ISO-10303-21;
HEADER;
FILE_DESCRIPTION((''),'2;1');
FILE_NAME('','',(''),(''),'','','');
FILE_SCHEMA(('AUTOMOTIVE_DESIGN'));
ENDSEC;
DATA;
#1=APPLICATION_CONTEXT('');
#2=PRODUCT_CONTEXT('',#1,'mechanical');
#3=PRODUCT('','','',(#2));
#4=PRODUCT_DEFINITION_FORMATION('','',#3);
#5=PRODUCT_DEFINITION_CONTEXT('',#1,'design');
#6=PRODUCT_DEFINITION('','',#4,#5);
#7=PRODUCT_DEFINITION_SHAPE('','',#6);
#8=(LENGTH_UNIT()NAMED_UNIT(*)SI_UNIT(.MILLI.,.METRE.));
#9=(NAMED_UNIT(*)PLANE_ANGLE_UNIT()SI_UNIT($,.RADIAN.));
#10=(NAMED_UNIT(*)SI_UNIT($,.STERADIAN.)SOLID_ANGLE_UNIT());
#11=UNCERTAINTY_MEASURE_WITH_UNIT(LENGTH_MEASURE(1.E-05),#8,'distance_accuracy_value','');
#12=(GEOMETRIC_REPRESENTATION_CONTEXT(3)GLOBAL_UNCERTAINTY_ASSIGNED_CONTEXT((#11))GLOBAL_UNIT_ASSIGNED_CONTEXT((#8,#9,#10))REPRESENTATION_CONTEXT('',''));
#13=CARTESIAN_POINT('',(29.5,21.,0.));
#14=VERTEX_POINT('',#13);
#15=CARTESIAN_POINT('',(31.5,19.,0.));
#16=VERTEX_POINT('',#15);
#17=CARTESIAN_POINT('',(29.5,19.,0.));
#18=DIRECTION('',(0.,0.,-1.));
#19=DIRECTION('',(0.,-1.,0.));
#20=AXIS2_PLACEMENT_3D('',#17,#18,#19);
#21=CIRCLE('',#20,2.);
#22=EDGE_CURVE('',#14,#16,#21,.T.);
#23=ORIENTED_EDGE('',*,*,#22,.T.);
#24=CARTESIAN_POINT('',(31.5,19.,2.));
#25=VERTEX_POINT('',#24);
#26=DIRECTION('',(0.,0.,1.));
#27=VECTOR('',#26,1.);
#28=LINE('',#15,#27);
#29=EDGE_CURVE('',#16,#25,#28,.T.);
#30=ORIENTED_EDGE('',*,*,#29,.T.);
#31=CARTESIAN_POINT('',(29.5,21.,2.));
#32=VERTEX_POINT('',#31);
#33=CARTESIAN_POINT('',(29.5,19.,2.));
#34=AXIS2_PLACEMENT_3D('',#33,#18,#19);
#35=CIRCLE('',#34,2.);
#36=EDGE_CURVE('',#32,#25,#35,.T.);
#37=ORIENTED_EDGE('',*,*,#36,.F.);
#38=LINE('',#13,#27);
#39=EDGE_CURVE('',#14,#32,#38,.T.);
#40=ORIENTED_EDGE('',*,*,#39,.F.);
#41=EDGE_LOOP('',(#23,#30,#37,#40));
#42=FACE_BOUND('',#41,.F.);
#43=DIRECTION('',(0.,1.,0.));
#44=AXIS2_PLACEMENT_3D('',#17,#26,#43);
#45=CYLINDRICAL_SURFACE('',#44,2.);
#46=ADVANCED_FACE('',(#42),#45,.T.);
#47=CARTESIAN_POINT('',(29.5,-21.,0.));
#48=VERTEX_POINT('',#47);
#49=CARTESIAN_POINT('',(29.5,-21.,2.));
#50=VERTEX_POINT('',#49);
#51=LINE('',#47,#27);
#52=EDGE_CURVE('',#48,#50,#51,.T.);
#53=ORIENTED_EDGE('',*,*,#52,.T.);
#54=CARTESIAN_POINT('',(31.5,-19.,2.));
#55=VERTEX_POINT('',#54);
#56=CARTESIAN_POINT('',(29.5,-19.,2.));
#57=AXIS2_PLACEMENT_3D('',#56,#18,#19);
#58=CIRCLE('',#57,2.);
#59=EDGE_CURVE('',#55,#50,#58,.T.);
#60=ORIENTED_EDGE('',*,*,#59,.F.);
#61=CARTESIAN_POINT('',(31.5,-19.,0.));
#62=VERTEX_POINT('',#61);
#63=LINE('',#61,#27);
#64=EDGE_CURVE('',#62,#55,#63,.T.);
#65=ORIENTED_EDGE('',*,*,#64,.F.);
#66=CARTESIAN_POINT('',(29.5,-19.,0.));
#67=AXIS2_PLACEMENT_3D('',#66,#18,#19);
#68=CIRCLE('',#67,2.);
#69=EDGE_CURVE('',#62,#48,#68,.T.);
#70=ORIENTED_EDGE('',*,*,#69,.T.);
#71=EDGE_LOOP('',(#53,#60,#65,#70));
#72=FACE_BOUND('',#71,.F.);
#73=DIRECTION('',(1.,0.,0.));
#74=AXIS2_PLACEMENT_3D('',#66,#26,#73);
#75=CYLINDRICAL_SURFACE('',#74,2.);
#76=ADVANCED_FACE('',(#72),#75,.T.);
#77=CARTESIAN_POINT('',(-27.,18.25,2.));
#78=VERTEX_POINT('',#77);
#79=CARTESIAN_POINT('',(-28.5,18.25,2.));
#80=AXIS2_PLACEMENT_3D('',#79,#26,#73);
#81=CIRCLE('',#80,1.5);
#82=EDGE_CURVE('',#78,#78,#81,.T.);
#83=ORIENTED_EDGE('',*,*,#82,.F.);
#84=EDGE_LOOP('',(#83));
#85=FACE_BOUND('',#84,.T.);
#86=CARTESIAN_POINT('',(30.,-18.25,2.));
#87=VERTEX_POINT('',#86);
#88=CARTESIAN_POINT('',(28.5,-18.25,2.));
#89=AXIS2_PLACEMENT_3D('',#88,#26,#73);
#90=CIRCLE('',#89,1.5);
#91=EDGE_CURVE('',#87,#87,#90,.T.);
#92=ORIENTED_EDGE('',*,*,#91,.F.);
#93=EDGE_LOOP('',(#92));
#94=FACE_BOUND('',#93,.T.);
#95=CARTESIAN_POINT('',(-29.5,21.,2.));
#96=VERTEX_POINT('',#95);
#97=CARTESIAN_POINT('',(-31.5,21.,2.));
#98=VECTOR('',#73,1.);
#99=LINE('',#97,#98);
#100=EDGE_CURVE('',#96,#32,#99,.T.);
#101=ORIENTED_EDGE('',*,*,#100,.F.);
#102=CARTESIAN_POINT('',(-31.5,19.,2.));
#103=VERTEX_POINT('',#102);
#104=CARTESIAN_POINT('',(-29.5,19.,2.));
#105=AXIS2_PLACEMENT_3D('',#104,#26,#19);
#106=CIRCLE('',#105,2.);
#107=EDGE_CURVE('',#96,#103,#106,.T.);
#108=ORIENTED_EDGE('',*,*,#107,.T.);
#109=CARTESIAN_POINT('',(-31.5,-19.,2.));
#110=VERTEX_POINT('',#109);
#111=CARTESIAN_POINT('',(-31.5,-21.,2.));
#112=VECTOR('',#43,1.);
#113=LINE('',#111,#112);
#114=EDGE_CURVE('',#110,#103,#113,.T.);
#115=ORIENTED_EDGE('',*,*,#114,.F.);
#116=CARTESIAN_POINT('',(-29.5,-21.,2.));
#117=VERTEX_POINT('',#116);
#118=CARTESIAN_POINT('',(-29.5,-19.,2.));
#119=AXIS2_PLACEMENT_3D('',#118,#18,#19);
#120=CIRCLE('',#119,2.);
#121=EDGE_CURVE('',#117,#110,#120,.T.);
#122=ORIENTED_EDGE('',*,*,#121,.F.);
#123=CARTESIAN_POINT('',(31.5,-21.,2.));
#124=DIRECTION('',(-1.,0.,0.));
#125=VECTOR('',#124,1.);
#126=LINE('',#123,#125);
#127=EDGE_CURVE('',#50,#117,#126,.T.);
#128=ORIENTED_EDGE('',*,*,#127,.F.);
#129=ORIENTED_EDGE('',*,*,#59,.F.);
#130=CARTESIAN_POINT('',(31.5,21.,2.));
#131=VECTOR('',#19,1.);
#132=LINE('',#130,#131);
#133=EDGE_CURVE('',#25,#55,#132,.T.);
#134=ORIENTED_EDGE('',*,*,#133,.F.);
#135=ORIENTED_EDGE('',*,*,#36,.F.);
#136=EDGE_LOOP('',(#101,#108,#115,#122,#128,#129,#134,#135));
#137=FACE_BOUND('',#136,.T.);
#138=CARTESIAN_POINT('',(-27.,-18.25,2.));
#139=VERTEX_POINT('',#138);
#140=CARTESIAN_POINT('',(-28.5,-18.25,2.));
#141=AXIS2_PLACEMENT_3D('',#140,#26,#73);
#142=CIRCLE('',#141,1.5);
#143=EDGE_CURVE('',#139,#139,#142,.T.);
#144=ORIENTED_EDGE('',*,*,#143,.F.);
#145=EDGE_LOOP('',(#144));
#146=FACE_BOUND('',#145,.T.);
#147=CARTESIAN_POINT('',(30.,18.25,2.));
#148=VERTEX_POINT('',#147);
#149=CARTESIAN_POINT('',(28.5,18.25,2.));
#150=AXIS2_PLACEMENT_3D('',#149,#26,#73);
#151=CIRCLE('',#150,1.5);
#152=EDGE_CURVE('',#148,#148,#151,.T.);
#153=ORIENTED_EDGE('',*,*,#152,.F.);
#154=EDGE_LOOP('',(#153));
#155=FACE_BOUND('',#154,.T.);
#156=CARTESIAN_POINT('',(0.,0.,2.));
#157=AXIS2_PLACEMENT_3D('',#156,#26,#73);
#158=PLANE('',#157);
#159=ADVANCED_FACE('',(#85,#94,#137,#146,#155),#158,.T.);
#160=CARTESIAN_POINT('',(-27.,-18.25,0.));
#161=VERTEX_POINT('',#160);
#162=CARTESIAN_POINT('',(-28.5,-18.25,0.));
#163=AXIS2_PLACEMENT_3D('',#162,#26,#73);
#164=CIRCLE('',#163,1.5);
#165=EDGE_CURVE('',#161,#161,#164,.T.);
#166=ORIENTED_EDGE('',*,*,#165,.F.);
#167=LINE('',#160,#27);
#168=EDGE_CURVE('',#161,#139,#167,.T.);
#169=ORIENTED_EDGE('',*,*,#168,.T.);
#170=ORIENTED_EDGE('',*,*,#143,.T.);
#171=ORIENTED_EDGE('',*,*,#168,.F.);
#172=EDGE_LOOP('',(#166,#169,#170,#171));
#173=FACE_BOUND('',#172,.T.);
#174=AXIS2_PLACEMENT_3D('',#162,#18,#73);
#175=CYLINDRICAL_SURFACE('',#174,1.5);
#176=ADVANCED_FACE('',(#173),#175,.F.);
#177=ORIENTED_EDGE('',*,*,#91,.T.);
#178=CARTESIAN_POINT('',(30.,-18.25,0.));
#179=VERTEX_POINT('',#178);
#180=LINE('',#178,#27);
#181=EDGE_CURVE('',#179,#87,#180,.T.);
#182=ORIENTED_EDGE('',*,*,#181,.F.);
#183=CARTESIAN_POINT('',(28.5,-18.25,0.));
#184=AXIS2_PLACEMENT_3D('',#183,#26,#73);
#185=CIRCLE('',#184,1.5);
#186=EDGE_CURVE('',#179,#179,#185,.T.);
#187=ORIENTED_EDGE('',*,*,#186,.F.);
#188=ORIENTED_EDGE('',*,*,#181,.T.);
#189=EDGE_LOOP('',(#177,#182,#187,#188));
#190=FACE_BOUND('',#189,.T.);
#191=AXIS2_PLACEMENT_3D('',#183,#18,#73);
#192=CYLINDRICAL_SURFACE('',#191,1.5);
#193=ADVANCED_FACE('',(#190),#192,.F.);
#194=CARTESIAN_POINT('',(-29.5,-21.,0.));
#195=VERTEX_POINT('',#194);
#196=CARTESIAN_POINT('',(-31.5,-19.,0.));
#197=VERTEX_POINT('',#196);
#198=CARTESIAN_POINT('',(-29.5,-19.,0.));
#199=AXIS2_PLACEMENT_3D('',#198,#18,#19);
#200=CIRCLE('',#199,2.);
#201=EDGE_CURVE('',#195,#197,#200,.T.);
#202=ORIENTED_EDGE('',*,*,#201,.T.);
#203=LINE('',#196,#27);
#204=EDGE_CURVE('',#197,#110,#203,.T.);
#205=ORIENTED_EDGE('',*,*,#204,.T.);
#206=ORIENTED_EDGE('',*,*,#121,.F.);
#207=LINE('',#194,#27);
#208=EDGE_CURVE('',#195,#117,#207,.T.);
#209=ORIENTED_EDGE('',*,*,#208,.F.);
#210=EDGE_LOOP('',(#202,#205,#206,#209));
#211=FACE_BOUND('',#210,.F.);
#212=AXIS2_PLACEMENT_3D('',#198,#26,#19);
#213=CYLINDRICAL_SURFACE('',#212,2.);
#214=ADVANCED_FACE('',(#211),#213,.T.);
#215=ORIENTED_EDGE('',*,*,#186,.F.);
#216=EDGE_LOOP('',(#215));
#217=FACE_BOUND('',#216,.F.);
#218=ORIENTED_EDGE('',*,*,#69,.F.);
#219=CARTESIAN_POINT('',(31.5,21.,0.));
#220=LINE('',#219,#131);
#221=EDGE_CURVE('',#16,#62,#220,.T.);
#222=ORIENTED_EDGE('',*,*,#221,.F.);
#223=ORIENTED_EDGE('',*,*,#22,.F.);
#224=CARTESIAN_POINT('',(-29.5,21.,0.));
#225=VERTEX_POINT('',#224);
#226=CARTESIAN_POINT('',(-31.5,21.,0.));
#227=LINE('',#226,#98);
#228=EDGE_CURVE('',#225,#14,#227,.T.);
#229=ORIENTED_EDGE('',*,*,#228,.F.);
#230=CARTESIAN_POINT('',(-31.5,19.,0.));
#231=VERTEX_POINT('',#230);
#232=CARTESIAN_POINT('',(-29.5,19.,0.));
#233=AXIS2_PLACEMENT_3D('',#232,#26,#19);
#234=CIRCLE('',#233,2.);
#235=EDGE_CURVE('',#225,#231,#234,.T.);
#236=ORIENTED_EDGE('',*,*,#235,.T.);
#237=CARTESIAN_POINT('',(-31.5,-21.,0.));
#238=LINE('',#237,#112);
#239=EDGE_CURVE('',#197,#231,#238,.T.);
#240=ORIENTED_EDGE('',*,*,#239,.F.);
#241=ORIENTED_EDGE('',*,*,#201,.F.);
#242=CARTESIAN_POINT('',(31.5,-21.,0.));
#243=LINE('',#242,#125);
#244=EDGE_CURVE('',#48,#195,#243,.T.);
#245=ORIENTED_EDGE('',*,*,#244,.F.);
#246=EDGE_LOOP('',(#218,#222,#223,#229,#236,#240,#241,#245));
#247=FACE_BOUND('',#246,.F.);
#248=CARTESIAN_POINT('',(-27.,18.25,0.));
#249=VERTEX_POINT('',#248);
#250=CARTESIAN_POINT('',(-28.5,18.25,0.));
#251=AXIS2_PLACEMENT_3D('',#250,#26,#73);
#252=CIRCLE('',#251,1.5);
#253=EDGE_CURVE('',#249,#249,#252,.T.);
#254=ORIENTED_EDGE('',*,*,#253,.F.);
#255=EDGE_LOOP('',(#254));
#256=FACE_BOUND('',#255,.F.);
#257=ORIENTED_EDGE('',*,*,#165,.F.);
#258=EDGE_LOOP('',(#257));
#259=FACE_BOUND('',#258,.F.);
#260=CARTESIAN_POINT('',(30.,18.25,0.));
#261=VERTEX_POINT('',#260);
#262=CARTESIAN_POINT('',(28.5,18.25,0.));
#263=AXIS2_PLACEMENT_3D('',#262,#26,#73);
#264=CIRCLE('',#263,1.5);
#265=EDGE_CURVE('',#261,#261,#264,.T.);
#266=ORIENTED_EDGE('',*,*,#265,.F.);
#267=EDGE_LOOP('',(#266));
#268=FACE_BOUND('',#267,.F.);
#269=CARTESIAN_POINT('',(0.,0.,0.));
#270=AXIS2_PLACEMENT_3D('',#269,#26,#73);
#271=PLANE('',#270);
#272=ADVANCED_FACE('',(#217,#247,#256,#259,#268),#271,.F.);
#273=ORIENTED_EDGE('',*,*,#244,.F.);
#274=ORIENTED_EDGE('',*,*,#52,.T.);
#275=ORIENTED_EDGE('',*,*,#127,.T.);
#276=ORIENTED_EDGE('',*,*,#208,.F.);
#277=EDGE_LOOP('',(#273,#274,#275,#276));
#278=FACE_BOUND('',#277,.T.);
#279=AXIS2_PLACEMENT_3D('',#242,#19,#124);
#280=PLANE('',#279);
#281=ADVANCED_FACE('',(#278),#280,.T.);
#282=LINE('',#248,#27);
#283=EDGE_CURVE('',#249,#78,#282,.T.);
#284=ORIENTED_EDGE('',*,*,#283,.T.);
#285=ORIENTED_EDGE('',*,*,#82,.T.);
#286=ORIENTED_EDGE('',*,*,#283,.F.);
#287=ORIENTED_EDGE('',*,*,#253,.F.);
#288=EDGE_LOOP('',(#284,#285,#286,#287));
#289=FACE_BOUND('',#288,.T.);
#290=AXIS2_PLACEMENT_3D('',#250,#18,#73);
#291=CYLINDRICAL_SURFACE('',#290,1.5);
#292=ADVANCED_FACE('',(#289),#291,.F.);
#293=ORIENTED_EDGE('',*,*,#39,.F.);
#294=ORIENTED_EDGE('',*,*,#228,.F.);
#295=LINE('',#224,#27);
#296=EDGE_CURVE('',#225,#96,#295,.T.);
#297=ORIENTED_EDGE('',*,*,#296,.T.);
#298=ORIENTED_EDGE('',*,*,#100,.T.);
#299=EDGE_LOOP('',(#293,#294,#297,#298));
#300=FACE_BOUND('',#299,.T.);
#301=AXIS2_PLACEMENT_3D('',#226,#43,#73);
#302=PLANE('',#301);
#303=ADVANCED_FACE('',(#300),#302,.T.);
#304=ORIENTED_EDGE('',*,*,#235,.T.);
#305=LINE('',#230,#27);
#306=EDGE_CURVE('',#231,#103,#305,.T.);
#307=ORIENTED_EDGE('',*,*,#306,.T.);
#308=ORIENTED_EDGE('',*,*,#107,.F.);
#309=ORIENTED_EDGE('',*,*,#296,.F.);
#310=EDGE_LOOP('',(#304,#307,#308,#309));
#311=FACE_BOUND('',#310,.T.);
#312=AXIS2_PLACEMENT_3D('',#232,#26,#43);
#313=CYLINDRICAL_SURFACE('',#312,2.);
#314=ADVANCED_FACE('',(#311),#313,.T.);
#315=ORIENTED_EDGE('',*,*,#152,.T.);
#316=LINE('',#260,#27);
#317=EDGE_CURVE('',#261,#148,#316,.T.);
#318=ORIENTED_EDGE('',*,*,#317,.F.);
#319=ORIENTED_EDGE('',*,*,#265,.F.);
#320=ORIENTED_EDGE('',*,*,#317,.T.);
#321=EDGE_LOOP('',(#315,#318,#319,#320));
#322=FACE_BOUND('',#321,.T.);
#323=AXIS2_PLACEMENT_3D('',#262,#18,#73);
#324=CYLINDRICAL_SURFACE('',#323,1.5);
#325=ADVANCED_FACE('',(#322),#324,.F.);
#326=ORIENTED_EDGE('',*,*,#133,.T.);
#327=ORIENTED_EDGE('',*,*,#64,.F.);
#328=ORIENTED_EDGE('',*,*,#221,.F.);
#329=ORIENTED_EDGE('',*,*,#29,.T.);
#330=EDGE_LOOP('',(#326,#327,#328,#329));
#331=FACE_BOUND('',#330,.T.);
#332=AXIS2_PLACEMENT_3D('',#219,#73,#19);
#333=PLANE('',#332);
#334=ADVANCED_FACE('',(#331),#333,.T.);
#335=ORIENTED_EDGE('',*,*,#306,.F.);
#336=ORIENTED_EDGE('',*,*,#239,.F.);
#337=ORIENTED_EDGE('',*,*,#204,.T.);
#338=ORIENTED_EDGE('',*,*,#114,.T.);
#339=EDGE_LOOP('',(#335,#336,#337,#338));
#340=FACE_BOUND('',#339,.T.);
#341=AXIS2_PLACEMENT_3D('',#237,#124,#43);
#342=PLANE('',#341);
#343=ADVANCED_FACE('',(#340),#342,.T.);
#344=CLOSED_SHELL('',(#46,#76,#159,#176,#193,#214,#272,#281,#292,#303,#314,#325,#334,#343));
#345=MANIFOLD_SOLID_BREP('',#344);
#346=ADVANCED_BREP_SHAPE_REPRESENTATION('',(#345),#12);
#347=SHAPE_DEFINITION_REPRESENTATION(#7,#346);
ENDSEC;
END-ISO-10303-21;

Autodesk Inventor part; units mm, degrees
ref_plane "YZ Plane" through (0, 0, 0) normal (1, 0, 0) x (0, 1, 0)
ref_plane "XZ Plane" through (0, 0, 0) normal (0, 1, 0) x (-1, 0, 0)
ref_plane "XY Plane" through (0, 0, 0) normal (0, 0, 1) x (1, 0, 0)
sketch "Skizze1" plane through (0, 0, 0) normal (0, 0, 1) x (1, 0, 0)
  line L0 (0, 29.4) -> (0, -29.4) construction
  line L1 (-31.5, 21) -> (31.5, 21)
  line L2 (31.5, 21) -> (31.5, -21)
  line L3 (31.5, -21) -> (-31.5, -21)
  line L4 (-31.5, -21) -> (-31.5, 21)
  line L5 (-44.1, 0) -> (44.1, 0) construction
  line L6 (-28.5, 18.25) -> (28.5, 18.25) construction
  line L7 (28.5, 18.25) -> (28.5, -18.25) construction
  line L8 (28.5, -18.25) -> (-28.5, -18.25) construction
  line L9 (-28.5, -18.25) -> (-28.5, 18.25) construction
  circle A0 centre (-28.5, 18.25) radius 1.5
  circle A1 centre (28.5, 18.25) radius 1.5
  circle A2 centre (28.5, -18.25) radius 1.5
  circle A3 centre (-28.5, -18.25) radius 1.5
  point P0 (0, 0)
  dimension "d0" = 63
  dimension "d1" = 42
  dimension "d2" = 57
  dimension "d3" = 36.5
  dimension "d4" = 3
extrude "Extrusion1" add sketch "Skizze1" along normal blind 2
fillet "Rundung1" radius 2 4 edges at (-31.5, -21, 1) (31.5, -21, 1) (31.5, 21, 1) (-31.5, 21, 1)
sketch "Skizze3" plane through (0, 0, 2) normal (0, 0, 1) x (1, 0, 0)
  line L0 (-31.5, 21) -> (31.5, 21) construction
  line L1 (-31.5, -21) -> (-31.5, 21) construction
  line L2 (31.5, -21) -> (-31.5, -21) construction
  line L3 (31.5, 21) -> (31.5, -21) construction
  line L4 (-31.5, 21) -> (31.5436, 20.9344) construction
  line L5 (31.5436, 20.9344) -> (31.5, -21) construction
  line L6 (31.5, -21) -> (-31.5436, -20.9344) construction
  line L7 (-31.5436, -20.9344) -> (-31.5, 21) construction
  point P0 (0, 0)
decal "Aufkleber1"
properties part number "BLDC Driver QS 909"
